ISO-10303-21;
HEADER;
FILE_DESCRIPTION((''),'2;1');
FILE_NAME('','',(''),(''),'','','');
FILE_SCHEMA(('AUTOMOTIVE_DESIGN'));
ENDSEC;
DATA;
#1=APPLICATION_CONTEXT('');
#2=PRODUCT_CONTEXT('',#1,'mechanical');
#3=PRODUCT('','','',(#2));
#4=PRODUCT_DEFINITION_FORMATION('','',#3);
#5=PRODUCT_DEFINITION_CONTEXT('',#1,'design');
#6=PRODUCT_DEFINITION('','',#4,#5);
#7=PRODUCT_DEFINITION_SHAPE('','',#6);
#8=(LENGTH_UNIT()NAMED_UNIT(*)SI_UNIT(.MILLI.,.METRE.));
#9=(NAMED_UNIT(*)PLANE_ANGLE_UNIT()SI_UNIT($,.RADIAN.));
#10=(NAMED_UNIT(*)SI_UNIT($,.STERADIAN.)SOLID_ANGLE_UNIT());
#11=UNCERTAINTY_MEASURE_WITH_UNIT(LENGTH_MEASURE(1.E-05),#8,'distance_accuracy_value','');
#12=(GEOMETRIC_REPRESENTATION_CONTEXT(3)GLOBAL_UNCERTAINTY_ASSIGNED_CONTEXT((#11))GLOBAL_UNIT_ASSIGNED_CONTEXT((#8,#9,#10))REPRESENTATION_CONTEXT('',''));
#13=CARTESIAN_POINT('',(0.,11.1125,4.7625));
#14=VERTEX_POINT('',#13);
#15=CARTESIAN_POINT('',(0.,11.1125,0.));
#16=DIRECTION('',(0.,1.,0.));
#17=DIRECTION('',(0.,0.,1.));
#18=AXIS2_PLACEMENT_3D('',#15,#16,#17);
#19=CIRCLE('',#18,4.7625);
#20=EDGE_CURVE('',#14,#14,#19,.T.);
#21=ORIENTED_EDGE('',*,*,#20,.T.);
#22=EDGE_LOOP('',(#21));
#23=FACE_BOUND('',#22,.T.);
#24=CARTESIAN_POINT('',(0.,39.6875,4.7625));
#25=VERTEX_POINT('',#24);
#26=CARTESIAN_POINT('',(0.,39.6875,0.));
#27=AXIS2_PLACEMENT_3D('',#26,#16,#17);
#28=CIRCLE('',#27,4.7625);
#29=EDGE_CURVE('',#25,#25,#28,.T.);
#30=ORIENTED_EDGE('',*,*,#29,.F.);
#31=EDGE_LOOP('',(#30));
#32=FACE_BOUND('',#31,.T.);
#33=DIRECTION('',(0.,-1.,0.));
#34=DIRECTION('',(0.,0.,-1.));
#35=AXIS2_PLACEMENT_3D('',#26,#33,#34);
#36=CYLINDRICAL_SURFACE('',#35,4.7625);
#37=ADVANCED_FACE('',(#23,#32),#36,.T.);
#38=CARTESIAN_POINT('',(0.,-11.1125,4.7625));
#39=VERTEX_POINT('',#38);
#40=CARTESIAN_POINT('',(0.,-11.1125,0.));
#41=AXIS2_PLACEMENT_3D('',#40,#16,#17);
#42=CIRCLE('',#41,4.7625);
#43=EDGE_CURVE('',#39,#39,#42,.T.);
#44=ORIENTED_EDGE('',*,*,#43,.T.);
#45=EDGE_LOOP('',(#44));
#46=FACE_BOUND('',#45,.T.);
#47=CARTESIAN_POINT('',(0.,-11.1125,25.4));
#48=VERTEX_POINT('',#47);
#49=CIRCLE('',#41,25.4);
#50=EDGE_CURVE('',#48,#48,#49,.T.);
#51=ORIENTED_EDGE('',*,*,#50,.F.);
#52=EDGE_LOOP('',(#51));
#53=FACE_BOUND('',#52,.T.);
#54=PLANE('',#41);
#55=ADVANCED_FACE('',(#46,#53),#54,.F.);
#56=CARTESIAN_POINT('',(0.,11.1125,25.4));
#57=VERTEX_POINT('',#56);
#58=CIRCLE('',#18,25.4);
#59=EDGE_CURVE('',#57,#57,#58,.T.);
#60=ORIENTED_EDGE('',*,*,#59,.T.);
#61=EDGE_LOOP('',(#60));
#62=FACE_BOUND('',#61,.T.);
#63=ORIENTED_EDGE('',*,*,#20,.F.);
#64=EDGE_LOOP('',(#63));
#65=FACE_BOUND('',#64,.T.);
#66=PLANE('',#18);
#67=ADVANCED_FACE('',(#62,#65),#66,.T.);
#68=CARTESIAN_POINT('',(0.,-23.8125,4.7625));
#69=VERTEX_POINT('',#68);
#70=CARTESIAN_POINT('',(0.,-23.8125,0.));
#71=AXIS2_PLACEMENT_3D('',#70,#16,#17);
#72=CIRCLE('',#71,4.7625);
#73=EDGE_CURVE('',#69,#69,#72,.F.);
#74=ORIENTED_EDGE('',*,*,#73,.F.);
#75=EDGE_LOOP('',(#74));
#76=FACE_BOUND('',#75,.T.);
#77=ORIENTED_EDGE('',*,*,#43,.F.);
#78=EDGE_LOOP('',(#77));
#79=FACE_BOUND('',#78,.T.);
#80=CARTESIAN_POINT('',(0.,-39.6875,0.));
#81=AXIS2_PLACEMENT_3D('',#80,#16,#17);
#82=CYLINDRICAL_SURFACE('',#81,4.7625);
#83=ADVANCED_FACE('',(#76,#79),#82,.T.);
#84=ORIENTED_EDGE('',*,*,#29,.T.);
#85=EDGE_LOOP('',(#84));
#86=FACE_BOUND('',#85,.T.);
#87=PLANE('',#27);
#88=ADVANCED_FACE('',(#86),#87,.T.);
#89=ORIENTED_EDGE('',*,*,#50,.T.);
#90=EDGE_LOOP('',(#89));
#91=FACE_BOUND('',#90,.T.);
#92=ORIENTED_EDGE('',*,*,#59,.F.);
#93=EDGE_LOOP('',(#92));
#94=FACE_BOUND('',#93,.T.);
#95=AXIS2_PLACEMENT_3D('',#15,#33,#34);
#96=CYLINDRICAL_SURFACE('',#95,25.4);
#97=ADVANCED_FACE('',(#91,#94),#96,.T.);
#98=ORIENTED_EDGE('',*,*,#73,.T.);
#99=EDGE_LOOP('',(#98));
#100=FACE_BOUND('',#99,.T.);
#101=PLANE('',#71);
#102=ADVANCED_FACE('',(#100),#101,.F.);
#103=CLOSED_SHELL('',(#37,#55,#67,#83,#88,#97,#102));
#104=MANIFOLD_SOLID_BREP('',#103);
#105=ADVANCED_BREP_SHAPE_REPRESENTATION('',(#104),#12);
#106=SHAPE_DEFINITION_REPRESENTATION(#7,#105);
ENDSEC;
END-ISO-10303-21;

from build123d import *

# Parameters (mm, degrees)
SKETCH1_R           = 25.4
BOSS_EXTRUDE1_DEPTH = 11.1125
SKETCH2_R           = 4.7625
BOSS_EXTRUDE2_DEPTH = 28.575
SKETCH3_R           = 4.7625
CUT_EXTRUDE1_DEPTH  = 15.875


with BuildPart() as part:
    # Sketch1 → Boss-Extrude1 (new body, symmetric)
    with BuildSketch(Plane(origin=(0, 0, 0), x_dir=(1, 0, 0), z_dir=(0, 1, 0))):
        Circle(SKETCH1_R)
    extrude(amount=BOSS_EXTRUDE1_DEPTH, both=True)

    # Sketch2 → Boss-Extrude2 (add)
    with BuildSketch(Plane(origin=(0, 11.1125, 0), x_dir=(1, 0, 0), z_dir=(0, 1, 0))):
        Circle(SKETCH2_R)
    boss_extrude2 = extrude(amount=BOSS_EXTRUDE2_DEPTH)

    # Mirror1: Boss-Extrude2 across plane
    add(boss_extrude2.mirror(Plane.ZX))

    # Sketch3 → Cut-Extrude1 (cut)
    with BuildSketch(Plane(origin=(0, -39.6875, 0), x_dir=(-1, 0, 0), z_dir=(0, -1, 0))):
        Circle(SKETCH3_R)
    extrude(amount=-CUT_EXTRUDE1_DEPTH, mode=Mode.SUBTRACT)


solid = part.part
